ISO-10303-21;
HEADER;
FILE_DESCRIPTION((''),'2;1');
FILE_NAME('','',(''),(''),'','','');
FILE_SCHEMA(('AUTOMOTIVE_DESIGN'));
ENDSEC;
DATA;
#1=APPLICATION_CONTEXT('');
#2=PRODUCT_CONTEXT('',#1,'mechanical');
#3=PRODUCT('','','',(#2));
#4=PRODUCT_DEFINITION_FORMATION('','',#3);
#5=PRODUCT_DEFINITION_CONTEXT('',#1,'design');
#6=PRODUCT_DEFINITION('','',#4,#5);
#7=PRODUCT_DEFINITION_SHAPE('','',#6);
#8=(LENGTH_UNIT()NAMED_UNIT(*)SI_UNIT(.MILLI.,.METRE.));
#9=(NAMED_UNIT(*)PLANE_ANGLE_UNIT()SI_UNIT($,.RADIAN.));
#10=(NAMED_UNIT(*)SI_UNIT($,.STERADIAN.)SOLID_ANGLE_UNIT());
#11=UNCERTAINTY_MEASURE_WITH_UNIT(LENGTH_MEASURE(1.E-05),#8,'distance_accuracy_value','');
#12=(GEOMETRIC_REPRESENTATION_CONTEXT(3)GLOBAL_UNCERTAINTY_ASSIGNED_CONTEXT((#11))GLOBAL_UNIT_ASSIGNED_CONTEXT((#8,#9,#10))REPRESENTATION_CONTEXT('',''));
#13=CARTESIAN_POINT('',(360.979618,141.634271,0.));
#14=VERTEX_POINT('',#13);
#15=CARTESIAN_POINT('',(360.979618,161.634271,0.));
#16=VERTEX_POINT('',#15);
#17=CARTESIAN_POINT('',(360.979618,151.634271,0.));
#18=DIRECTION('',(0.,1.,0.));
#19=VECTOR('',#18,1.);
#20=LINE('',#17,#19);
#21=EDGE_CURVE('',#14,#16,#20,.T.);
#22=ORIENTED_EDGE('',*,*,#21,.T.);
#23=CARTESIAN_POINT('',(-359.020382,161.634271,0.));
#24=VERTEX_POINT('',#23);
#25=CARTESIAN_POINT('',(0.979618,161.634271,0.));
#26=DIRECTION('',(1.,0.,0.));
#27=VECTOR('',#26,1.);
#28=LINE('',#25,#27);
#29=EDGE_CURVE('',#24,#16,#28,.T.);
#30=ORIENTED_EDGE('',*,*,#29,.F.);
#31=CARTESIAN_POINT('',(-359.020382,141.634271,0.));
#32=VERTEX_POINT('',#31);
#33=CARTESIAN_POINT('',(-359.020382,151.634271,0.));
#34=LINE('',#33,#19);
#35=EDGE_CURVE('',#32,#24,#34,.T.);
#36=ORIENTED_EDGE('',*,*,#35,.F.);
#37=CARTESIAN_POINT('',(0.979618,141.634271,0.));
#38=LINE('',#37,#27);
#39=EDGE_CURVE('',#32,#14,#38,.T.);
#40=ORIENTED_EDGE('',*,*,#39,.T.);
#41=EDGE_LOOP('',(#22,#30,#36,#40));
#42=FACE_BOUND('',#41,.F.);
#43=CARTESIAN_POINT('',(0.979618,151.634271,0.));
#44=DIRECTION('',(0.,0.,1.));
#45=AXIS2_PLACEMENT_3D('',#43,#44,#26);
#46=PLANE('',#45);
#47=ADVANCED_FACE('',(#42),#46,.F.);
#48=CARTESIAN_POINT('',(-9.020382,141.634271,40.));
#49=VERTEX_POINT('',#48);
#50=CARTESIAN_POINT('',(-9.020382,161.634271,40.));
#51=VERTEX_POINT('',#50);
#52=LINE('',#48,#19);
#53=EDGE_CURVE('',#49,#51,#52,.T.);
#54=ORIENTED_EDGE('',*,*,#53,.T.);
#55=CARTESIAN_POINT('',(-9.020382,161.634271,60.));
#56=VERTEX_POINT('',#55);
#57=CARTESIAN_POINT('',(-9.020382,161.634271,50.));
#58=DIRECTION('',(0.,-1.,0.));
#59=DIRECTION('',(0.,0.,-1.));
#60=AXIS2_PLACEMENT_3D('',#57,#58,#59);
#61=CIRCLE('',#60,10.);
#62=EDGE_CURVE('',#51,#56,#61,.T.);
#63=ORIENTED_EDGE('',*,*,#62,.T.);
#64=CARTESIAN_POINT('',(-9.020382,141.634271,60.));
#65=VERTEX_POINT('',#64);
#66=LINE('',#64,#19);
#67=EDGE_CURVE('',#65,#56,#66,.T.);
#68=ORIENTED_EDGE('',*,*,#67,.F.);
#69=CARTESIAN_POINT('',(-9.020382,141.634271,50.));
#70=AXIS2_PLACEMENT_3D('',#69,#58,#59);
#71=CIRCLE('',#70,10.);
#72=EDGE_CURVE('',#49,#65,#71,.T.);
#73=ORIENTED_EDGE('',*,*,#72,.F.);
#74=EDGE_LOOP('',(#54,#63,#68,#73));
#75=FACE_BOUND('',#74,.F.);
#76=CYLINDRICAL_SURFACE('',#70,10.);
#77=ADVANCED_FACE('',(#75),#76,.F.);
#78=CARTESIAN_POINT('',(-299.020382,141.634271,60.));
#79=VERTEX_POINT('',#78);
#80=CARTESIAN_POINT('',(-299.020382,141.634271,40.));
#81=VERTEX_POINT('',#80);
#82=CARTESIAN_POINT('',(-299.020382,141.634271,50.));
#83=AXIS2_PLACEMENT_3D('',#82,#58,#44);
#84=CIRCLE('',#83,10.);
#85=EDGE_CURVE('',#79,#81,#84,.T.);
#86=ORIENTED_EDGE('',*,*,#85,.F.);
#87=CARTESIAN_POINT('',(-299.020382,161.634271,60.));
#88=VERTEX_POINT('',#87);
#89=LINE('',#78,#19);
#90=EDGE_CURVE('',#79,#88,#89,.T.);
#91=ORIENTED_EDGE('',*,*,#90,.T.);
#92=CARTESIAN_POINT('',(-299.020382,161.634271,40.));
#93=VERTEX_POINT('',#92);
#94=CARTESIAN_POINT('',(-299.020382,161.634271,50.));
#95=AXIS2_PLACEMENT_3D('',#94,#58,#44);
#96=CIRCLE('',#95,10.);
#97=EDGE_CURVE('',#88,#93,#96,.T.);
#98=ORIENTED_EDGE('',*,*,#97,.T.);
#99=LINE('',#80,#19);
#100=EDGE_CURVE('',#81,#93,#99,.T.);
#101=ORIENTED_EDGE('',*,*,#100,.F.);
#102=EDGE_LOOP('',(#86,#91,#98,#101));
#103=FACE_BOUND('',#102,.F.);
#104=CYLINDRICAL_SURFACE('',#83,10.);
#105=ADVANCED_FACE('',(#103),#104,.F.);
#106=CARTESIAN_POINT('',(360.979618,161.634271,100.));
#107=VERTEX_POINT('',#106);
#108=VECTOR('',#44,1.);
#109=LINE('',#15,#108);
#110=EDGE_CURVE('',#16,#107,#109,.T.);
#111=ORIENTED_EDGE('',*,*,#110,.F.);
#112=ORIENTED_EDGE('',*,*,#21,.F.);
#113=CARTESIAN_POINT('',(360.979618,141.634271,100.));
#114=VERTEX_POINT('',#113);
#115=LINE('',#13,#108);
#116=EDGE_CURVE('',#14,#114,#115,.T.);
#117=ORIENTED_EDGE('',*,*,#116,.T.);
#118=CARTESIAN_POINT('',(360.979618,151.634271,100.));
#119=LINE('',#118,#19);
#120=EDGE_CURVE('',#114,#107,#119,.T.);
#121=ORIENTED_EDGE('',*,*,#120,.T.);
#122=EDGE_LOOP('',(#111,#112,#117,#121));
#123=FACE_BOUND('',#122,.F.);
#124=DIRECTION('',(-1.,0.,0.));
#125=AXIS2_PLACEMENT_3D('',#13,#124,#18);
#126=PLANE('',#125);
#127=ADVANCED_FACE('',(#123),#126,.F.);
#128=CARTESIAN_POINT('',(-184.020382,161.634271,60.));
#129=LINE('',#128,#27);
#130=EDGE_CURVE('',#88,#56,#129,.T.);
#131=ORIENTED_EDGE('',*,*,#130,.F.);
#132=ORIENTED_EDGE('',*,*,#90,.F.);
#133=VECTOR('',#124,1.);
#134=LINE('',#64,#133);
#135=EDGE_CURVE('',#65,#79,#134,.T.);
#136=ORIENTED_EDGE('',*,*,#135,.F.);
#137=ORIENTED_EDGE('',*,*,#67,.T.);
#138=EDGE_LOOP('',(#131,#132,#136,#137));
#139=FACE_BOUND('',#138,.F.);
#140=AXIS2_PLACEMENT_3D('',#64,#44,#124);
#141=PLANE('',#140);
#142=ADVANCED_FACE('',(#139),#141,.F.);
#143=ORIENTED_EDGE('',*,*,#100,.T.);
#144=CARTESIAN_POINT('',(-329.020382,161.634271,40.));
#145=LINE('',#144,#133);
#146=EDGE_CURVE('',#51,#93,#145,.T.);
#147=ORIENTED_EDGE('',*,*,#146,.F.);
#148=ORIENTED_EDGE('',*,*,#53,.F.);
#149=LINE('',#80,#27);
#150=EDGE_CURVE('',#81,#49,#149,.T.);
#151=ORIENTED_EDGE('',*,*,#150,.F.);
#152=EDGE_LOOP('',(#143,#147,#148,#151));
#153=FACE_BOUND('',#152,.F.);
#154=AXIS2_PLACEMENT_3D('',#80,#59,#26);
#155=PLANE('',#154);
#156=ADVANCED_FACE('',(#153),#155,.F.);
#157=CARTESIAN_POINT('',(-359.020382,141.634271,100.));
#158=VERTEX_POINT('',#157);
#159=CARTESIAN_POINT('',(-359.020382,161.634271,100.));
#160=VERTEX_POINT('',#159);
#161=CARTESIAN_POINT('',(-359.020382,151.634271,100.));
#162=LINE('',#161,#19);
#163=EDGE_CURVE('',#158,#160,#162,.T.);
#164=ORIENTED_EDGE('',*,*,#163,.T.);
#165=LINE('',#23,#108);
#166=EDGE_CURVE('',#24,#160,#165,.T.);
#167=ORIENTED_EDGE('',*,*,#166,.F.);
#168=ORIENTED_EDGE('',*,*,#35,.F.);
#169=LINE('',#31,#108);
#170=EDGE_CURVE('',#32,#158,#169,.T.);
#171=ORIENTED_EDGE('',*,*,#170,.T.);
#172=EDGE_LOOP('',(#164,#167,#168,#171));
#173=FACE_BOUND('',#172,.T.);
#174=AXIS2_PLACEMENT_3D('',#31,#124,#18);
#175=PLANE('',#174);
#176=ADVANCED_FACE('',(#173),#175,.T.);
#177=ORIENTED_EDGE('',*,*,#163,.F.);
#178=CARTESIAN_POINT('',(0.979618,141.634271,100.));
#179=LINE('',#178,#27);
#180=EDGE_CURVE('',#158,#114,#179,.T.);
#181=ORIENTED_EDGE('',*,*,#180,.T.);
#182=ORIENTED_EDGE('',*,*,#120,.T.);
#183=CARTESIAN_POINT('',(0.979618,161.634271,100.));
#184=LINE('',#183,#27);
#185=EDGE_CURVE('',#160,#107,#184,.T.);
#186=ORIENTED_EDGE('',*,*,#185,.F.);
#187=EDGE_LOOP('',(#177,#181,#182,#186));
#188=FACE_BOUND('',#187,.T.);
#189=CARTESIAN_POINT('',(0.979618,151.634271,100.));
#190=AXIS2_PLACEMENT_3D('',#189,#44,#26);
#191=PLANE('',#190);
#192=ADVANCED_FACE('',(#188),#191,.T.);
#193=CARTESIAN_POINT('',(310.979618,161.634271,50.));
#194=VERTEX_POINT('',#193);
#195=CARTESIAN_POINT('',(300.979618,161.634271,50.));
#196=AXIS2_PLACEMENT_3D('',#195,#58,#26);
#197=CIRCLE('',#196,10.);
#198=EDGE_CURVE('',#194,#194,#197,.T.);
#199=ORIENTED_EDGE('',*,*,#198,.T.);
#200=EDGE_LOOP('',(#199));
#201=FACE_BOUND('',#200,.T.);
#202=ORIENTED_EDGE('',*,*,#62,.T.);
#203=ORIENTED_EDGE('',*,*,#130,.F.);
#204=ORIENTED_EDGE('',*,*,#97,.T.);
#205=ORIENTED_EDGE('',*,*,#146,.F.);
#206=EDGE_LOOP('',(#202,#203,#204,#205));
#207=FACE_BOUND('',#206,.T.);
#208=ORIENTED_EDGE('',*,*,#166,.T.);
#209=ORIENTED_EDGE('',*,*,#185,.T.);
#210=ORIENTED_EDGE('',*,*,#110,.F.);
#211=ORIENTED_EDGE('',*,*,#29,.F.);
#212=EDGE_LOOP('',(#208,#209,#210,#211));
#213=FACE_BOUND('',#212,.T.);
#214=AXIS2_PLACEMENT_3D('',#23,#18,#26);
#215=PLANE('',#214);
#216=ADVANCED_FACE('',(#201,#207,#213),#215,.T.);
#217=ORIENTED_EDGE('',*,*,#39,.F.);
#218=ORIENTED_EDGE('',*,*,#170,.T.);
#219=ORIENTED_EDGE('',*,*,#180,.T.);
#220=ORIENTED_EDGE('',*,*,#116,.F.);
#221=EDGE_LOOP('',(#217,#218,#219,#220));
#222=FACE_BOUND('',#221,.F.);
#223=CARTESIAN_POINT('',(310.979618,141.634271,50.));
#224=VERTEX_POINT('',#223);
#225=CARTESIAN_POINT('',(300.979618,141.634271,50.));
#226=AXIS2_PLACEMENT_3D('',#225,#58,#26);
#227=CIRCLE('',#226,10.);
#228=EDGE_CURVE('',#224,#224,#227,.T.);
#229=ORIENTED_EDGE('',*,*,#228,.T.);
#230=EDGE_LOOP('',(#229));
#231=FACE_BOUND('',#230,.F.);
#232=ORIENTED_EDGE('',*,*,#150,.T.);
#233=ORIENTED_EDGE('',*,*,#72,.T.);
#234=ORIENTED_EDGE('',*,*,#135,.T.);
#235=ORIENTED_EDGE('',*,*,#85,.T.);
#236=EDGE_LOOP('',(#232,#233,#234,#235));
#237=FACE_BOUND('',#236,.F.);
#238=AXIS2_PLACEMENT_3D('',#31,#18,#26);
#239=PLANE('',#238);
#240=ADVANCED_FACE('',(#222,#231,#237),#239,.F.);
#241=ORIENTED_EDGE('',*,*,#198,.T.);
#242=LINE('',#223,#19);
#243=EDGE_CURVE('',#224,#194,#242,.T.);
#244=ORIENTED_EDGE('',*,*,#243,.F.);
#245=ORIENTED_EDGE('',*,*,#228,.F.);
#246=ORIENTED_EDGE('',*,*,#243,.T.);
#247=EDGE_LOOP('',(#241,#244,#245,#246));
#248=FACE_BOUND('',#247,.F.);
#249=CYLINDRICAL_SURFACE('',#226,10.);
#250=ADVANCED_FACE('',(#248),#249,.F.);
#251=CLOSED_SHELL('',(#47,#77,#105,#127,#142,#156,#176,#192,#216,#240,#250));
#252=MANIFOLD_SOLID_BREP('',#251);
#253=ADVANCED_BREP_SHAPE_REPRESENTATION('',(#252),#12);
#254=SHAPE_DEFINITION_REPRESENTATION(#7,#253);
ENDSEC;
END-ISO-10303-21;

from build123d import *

# Parameters (mm, degrees)
F0_W     = 720
F0_H     = 20
F1_DEPTH = 100
F2_R     = 10
F3_DEPTH = 20.001


with BuildPart() as f1:
    # F0 (on Top) → F1 (new body)
    with BuildSketch(Plane.XY):
        with Locations((0.979618, 151.634271)):
            Rectangle(F0_W, F0_H)
    extrude(amount=F1_DEPTH)

    # F2 (on face) → F3 (cut, through all)
    with BuildSketch(Plane.XZ.offset(-141.634271)):
        with BuildLine():
            Line((-9.020382, 60), (-299.020382, 60))
            ThreePointArc((-299.020382, 60), (-309.020382, 50), (-299.020382, 40))
            Line((-299.020382, 40), (-9.020382, 40))
            ThreePointArc((-9.020382, 40), (0.979618, 50), (-9.020382, 60))
        make_face()
        with Locations((300.979618, 50)):
            Circle(F2_R)
    extrude(amount=-F3_DEPTH, mode=Mode.SUBTRACT)


solid = f1.part
